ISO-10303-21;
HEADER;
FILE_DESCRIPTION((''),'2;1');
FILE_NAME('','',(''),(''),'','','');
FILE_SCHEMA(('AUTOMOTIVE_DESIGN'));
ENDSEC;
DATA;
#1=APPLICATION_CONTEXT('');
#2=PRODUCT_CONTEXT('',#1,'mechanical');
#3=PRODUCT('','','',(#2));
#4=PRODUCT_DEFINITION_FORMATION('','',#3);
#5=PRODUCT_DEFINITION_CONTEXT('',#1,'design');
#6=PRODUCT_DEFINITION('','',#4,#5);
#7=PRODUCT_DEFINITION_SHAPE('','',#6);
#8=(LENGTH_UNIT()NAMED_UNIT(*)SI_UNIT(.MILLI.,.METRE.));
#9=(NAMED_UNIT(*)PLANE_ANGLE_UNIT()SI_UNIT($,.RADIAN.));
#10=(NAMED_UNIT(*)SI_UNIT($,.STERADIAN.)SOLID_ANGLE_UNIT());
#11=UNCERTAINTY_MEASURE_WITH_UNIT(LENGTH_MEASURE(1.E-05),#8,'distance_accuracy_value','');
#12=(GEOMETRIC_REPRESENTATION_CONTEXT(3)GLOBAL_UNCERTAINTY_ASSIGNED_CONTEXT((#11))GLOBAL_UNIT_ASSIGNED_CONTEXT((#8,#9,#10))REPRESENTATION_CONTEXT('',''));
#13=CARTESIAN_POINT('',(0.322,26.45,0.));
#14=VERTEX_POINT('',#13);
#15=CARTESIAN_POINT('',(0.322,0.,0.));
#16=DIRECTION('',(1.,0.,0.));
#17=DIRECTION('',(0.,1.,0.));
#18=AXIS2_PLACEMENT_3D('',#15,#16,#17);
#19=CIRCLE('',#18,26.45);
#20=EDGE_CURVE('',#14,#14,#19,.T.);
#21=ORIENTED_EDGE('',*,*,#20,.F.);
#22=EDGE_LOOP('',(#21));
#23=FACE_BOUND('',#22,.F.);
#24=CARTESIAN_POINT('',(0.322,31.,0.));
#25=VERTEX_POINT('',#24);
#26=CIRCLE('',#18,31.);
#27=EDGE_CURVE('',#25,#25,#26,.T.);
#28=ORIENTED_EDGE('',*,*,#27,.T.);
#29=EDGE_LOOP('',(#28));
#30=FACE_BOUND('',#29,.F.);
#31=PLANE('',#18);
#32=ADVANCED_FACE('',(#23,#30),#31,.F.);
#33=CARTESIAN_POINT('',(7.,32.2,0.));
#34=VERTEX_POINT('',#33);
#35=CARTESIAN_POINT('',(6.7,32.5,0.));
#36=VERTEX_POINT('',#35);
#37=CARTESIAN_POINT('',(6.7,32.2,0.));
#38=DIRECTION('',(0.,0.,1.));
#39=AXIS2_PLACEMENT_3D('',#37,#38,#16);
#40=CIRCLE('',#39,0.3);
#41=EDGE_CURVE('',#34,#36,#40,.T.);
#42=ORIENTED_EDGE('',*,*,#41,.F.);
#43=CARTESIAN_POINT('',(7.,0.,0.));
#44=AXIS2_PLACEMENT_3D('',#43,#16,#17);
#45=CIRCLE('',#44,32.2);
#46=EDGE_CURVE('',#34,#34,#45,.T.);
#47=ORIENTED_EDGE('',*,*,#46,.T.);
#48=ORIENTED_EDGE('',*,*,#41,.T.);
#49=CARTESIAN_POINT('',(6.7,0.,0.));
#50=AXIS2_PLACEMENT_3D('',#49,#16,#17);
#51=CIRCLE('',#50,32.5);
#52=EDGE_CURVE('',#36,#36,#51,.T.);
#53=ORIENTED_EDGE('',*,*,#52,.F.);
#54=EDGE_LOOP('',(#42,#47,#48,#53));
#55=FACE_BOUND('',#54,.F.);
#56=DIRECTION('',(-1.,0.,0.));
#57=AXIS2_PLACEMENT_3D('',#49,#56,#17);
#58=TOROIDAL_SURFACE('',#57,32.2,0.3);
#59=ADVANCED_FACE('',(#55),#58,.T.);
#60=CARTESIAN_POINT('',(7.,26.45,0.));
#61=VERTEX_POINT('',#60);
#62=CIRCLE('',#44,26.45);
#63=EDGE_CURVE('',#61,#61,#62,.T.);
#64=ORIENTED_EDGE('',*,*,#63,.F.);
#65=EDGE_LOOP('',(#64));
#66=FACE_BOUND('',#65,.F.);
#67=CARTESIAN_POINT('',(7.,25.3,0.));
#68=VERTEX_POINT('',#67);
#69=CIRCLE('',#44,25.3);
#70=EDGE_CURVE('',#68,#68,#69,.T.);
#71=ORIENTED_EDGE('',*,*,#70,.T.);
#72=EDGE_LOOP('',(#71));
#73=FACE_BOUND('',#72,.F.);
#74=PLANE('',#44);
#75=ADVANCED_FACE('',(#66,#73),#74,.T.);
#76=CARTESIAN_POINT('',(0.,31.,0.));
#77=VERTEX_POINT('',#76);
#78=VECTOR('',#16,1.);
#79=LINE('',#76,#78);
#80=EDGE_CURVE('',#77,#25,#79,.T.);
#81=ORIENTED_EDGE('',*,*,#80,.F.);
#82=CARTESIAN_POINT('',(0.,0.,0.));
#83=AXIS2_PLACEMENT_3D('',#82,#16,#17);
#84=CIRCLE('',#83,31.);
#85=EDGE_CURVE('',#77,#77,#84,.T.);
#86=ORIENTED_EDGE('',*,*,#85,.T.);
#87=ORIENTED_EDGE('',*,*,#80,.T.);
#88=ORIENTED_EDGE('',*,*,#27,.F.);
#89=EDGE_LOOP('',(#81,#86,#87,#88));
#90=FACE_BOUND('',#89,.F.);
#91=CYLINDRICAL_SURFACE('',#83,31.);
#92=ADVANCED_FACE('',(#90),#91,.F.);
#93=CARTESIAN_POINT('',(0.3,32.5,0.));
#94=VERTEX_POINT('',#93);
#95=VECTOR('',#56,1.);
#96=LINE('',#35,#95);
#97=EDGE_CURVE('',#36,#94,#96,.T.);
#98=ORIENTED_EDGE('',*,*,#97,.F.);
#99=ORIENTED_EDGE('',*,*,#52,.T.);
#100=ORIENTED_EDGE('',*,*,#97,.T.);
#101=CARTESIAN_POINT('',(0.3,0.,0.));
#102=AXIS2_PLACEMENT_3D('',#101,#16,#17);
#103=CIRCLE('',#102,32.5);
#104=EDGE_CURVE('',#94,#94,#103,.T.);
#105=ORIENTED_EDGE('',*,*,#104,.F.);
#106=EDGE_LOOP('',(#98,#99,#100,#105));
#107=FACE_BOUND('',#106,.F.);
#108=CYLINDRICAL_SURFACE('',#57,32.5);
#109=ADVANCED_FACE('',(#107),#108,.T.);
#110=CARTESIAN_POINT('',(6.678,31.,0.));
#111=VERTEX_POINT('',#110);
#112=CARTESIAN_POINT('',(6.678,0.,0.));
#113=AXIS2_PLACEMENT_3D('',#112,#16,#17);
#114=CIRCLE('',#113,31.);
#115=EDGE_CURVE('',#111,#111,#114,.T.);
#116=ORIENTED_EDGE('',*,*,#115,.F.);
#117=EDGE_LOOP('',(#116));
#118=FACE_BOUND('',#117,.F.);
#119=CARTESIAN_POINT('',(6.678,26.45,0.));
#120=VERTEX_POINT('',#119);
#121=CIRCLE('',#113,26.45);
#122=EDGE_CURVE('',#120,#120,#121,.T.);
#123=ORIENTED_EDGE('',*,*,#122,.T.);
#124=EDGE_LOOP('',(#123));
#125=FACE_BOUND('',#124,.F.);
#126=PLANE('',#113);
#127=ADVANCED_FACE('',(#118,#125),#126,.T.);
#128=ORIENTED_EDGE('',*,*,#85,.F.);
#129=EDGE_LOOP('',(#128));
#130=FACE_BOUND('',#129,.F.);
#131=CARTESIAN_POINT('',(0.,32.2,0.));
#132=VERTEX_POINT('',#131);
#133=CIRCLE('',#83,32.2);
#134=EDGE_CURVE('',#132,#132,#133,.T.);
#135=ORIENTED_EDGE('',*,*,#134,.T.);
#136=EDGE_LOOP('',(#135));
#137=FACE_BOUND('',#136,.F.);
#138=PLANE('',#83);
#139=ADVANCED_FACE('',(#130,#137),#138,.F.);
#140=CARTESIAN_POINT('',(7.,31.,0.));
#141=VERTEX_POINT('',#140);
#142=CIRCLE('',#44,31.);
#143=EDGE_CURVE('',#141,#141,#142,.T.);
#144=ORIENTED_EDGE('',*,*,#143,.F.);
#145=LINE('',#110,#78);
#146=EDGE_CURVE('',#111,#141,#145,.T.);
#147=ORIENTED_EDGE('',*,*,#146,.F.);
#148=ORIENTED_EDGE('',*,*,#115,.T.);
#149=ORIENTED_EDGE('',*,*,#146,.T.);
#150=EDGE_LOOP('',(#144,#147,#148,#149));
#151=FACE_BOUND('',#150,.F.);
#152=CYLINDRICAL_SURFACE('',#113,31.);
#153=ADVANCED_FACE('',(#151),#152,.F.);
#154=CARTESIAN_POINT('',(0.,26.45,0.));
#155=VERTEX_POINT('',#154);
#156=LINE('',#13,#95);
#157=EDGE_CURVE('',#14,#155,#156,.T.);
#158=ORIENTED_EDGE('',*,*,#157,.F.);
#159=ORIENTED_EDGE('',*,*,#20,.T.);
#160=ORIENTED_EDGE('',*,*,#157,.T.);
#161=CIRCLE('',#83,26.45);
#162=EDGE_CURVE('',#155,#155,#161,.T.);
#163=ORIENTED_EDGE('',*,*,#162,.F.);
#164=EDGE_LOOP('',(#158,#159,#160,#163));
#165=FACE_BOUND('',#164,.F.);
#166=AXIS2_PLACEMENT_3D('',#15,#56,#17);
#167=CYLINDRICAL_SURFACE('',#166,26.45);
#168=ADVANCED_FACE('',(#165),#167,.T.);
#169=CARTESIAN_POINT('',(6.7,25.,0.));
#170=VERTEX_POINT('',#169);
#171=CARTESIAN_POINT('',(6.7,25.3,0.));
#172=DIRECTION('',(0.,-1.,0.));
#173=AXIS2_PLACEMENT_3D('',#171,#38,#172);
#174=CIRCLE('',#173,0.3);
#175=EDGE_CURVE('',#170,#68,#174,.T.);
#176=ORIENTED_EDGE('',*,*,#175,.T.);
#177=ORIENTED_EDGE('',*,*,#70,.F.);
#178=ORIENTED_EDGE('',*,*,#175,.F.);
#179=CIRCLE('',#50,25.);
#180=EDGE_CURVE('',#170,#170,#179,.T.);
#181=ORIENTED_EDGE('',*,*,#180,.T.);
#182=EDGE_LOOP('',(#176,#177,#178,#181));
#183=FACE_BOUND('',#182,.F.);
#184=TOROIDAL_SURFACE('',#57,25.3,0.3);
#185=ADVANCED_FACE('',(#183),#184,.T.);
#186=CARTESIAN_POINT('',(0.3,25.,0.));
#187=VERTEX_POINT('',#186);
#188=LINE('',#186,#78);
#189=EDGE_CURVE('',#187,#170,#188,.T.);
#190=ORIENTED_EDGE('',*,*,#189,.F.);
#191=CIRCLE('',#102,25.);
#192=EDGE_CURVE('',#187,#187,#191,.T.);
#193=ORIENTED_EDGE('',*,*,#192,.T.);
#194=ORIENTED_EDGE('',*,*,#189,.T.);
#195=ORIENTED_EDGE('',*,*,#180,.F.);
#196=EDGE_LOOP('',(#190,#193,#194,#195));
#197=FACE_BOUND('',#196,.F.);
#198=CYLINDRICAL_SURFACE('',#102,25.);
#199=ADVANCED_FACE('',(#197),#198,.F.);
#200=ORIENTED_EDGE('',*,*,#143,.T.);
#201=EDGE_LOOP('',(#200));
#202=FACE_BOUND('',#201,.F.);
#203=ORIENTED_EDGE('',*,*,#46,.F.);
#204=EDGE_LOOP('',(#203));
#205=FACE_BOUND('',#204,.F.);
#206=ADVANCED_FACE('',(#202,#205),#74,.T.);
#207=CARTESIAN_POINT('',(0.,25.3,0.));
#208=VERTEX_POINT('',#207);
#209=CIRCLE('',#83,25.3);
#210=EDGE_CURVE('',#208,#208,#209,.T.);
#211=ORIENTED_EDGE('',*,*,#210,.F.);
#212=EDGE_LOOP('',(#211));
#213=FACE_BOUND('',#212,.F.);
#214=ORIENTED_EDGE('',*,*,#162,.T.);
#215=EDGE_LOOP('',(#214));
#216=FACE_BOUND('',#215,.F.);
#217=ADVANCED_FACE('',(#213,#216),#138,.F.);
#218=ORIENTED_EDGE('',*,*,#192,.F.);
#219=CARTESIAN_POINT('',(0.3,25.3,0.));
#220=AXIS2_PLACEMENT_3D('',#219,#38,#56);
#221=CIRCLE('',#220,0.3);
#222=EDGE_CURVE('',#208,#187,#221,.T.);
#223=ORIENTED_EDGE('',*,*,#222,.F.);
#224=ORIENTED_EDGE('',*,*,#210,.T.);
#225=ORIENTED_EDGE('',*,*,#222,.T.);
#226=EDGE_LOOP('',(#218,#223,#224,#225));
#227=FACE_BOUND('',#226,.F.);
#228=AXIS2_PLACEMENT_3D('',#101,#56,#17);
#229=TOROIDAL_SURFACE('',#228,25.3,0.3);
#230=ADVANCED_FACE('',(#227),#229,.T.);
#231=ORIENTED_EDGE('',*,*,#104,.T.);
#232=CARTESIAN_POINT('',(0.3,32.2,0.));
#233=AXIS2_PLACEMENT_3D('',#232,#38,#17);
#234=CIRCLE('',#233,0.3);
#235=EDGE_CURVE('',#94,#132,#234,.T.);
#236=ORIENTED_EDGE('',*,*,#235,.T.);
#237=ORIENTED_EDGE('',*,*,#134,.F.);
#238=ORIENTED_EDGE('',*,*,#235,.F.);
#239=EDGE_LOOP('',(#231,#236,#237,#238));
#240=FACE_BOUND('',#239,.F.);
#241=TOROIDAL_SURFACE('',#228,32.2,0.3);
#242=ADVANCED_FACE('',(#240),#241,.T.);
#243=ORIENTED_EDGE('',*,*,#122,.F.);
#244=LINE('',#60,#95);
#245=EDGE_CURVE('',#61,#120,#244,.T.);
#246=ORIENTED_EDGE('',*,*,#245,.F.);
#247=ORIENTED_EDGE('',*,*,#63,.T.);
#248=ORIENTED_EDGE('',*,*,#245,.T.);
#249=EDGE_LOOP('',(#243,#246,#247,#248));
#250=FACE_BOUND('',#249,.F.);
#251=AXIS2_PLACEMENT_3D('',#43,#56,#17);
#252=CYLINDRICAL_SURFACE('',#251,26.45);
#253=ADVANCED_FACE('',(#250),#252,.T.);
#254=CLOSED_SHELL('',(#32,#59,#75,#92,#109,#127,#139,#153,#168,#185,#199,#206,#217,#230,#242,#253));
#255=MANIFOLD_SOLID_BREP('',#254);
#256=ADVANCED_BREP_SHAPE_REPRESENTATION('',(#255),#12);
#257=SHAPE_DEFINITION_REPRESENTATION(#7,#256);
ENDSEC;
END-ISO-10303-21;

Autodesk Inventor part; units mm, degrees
sketch "Sketch_1" plane through (0, 0, 0) normal (0, 0, 1) x (1, 0, 0)
  line L0 (7, 0) -> (0, 0)
  arc A0 (0, 25.3) -> (0.3, 25) centre (0.3, 25.3) ccw
  line L1 (0.3, 25) -> (6.7, 25)
  arc A1 (6.7, 25) -> (7, 25.3) centre (6.7, 25.3) ccw
  line L2 (7, 25.3) -> (7, 26.45)
  line L3 (7, 26.45) -> (6.678, 26.45)
  line L4 (6.678, 26.45) -> (6.678, 31)
  line L5 (6.678, 31) -> (7, 31)
  line L6 (7, 31) -> (7, 32.2)
  arc A2 (7, 32.2) -> (6.7, 32.5) centre (6.7, 32.2) ccw
  line L7 (6.7, 32.5) -> (0.3, 32.5)
  arc A3 (0.3, 32.5) -> (0, 32.2) centre (0.3, 32.2) ccw
  line L8 (0, 32.2) -> (0, 31)
  line L9 (0, 31) -> (0.322, 31)
  line L10 (0.322, 31) -> (0.322, 26.45)
  line L11 (0.322, 26.45) -> (0, 26.45)
  line L12 (0, 26.45) -> (0, 25.3)
revolve "Revolution1" add sketch "Sketch_1" angle 360 about axis through (7, 0, 0) along (1, 0, 0)
ref_plane "center_point_XY" through (3.5, 0, 0) normal (1, 0, 0) x (0, 0, -1)
ref_plane "center_point_YZ" through (3.5, 0, 0) normal (0, 0, -1) x (0, 1, 0)
ref_plane "center_point_ZX" through (3.5, 0, 0) normal (0, 1, 0) x (1, 0, 0)
ref_plane "to_housing_XY" through (0, 0, 0) normal (1, 0, 0) x (0, 0, -1)
ref_plane "to_housing_YZ" through (0, 0, 0) normal (0, 0, -1) x (0, 1, 0)
ref_plane "to_housing_ZX" through (0, 0, 0) normal (0, 1, 0) x (1, 0, 0)
ref_plane "to_ring_XY" through (6.356, 0, 0) normal (1, 0, 0) x (0, 0, -1)
ref_plane "to_ring_YZ" through (6.356, 0, 0) normal (0, 0, -1) x (0, 1, 0)
ref_plane "to_ring_ZX" through (6.356, 0, 0) normal (0, 1, 0) x (1, 0, 0)
properties part number "C-E6810ZZ" material "강철, 가공됨"
